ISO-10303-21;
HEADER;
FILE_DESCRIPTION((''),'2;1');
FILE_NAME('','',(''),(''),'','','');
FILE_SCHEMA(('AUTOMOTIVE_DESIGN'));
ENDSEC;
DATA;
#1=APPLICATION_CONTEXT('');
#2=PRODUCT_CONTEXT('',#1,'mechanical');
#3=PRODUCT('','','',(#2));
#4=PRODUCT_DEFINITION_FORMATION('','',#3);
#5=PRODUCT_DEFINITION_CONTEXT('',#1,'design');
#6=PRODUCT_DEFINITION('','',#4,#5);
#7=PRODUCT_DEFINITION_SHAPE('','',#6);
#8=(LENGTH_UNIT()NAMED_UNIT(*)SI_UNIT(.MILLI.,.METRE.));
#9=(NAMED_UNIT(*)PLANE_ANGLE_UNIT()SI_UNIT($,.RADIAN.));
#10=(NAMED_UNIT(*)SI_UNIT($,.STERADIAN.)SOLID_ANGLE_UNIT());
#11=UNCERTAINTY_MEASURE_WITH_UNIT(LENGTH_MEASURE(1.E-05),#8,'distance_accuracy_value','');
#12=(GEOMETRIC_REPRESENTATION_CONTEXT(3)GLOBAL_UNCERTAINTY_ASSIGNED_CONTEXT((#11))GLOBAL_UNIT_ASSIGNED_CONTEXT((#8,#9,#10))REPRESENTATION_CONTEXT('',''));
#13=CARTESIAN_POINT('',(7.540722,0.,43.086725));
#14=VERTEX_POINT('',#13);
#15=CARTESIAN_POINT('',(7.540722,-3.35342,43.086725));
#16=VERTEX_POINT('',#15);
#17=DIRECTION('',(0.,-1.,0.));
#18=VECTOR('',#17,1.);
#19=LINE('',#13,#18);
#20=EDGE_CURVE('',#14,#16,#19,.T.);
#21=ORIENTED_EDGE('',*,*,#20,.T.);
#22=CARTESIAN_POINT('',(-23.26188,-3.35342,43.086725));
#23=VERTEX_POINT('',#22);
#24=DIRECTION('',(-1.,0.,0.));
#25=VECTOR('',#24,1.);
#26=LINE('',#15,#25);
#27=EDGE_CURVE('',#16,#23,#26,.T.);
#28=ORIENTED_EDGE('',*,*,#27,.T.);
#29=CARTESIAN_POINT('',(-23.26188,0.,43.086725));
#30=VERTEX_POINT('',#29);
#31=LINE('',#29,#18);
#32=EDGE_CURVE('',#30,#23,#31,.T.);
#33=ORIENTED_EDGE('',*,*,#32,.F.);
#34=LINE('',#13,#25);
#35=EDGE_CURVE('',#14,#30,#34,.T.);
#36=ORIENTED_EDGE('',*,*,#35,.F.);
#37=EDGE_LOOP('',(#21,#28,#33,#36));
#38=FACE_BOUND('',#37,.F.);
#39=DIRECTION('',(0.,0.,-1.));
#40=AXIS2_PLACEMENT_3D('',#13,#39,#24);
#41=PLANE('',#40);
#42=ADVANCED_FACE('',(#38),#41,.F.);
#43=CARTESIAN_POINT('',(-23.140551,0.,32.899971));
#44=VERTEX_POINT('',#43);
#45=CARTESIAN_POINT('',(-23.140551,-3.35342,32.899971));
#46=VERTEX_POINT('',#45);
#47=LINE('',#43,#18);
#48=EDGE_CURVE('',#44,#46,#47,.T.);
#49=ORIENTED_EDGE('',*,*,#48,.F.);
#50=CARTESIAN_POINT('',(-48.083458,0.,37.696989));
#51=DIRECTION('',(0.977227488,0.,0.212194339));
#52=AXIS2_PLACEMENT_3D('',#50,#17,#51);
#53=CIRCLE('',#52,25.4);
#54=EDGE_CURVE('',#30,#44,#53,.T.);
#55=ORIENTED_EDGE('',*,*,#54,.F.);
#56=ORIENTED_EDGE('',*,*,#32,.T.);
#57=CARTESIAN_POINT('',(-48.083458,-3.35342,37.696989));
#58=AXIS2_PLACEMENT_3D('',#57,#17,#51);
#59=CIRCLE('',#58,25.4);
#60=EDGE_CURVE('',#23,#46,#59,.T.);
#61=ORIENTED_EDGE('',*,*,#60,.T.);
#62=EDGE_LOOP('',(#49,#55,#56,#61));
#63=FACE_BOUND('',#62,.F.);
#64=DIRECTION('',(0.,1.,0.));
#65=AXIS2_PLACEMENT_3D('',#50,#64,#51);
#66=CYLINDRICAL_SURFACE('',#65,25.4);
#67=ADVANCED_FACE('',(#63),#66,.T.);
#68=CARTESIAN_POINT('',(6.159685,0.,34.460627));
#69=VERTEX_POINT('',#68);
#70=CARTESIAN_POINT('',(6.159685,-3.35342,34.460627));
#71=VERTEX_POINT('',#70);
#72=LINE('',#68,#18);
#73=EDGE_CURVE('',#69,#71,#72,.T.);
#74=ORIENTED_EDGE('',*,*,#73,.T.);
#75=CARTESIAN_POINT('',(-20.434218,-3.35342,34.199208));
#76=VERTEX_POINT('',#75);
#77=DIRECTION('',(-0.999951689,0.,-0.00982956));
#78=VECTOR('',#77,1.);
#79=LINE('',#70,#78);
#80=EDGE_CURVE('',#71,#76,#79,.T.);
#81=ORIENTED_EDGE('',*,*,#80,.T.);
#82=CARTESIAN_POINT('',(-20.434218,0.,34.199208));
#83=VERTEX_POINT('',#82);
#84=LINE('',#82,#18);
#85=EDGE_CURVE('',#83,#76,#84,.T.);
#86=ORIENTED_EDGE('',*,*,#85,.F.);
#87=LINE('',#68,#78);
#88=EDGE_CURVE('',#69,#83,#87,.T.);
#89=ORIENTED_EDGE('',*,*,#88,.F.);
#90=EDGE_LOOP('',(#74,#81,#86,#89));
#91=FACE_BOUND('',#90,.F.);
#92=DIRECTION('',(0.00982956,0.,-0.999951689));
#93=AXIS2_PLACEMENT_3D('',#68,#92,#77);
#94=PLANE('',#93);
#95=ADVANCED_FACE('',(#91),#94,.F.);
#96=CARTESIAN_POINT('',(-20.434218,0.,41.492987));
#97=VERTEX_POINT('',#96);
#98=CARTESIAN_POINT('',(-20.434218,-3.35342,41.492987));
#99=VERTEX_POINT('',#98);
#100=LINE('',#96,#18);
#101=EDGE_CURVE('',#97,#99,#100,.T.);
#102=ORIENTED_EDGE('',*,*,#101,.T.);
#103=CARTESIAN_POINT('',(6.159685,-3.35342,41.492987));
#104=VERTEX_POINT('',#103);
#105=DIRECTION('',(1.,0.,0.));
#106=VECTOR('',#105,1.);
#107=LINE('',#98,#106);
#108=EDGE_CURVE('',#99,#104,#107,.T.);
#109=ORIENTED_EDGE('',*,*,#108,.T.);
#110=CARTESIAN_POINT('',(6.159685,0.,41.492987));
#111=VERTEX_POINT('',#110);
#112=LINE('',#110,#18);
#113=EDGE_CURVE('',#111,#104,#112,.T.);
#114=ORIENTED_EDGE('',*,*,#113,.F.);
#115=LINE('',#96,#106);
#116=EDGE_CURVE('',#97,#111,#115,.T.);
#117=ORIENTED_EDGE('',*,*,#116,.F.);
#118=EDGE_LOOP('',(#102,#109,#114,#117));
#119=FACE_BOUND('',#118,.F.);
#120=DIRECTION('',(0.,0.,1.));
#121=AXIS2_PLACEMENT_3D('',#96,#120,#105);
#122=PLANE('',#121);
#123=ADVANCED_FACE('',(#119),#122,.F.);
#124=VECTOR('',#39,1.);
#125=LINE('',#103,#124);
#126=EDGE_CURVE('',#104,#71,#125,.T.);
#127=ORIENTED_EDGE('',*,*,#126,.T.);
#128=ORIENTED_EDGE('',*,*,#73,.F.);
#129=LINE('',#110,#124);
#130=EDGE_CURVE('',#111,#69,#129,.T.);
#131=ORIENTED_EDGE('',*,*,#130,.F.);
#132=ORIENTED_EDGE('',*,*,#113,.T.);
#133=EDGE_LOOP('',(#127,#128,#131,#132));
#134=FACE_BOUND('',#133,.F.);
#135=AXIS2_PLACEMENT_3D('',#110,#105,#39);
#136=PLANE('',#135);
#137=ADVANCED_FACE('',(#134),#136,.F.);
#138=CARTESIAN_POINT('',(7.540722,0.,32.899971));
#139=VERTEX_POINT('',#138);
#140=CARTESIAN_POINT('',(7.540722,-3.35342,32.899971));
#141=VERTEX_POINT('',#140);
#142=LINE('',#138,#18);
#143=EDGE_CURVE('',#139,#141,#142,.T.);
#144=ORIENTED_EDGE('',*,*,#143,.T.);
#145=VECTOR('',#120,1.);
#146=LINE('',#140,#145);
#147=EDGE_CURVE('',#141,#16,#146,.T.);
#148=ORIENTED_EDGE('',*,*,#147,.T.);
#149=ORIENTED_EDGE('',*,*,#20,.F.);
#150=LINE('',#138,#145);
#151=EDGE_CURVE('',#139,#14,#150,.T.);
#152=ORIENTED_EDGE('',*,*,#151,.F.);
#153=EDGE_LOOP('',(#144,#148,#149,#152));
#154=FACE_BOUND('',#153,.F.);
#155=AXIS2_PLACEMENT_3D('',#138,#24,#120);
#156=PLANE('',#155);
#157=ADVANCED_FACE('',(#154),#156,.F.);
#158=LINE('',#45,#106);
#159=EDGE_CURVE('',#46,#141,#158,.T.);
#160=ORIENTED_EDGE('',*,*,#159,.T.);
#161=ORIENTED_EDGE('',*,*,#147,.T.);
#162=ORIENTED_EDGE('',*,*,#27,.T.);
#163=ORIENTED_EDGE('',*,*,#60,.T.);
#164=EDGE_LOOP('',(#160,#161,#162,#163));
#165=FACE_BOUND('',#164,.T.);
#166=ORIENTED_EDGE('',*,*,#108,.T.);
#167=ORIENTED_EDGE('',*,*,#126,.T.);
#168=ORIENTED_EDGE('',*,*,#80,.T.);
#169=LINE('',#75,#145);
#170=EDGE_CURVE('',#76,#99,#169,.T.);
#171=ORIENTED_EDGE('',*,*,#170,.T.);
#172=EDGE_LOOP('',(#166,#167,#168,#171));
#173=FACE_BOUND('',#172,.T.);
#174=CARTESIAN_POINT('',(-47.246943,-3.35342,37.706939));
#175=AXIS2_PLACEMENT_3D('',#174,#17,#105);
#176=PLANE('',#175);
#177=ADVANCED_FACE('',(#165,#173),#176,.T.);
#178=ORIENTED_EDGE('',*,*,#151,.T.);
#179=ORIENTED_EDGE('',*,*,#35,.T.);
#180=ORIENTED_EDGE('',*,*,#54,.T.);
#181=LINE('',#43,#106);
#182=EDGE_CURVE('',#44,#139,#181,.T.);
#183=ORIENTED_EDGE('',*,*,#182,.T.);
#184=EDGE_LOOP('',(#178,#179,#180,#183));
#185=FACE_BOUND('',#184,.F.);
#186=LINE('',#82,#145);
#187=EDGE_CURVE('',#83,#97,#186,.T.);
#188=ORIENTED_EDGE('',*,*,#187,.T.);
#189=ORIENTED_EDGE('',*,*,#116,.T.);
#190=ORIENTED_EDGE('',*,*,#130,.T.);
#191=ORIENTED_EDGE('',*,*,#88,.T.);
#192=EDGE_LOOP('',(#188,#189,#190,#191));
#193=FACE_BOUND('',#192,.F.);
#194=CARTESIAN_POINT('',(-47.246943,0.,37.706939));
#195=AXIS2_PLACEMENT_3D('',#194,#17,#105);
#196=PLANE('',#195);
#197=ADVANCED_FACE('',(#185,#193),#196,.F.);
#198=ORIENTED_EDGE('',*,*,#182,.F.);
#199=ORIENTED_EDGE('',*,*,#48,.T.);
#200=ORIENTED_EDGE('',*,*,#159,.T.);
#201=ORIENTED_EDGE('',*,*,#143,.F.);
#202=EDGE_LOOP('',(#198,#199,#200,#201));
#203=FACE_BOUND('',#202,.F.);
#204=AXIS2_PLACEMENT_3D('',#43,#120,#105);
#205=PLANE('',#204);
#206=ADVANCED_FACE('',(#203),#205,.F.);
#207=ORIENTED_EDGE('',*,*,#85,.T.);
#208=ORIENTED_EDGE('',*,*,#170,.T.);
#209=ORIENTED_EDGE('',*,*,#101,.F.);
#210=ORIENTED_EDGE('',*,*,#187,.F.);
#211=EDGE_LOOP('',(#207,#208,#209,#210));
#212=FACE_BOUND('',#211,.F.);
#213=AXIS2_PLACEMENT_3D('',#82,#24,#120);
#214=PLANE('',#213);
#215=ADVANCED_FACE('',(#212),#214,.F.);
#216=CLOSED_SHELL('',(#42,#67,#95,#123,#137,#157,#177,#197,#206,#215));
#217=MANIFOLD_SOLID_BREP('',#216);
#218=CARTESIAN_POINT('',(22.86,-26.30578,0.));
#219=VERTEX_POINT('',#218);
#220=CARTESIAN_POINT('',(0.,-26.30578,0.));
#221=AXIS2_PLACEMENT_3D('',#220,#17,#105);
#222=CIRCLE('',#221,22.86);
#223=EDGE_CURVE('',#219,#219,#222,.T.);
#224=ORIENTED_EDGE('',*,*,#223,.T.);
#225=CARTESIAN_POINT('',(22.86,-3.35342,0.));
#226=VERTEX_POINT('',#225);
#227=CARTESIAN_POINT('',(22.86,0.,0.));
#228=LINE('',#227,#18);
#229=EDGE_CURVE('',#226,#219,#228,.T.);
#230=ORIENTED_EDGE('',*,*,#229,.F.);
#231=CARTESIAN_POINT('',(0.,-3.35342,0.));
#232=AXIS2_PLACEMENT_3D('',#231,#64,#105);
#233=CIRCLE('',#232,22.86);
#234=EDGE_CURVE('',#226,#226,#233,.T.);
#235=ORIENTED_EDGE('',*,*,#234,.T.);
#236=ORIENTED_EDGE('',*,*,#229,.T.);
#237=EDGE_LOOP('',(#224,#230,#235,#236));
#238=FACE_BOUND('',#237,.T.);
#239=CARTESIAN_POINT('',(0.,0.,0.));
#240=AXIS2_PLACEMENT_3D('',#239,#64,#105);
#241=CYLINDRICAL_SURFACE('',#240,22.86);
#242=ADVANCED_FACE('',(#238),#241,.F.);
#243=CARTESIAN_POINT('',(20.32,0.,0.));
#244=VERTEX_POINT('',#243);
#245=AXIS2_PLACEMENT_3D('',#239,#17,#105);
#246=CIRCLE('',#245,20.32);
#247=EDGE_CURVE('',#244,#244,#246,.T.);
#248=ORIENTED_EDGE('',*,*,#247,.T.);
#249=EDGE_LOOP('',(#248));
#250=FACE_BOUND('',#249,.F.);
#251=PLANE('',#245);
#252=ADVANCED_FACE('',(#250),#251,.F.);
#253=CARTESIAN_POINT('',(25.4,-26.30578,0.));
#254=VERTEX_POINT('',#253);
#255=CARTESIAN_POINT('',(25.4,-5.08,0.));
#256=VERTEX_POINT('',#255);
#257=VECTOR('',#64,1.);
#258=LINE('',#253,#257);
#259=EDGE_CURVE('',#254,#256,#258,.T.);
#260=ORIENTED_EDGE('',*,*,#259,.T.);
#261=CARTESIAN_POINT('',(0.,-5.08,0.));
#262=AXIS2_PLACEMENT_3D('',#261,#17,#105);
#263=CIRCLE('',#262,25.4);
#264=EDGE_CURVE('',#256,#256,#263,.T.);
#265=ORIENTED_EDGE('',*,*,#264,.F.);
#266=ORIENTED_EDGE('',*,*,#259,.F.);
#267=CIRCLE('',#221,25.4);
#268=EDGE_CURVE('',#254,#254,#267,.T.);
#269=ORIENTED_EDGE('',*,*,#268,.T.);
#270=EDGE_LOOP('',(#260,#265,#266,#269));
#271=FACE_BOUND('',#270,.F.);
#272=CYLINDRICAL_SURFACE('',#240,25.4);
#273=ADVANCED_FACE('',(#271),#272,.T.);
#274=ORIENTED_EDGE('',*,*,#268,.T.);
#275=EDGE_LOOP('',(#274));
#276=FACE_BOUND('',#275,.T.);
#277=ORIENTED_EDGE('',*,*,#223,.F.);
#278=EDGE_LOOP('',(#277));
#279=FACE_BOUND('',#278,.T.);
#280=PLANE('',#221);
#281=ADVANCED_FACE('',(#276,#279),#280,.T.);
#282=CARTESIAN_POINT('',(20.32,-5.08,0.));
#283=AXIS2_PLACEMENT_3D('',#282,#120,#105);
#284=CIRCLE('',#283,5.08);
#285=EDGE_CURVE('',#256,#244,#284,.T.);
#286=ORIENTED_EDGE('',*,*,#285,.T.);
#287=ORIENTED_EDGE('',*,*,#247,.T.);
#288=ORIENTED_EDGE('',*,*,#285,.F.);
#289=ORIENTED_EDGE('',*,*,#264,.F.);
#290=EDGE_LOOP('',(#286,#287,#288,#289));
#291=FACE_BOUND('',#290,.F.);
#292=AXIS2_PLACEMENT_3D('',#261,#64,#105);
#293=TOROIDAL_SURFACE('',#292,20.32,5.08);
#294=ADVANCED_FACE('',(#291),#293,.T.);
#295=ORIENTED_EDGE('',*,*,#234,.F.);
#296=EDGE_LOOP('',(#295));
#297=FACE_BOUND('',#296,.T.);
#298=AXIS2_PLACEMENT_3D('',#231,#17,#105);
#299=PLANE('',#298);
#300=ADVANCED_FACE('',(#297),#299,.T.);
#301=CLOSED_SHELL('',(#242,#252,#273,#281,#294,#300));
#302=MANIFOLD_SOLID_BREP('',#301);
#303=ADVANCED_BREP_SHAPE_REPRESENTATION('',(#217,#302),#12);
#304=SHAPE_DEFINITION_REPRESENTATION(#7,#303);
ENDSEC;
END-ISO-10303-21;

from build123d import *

# Parameters (mm, degrees)
F0_R     = 25.4
F1_DEPTH = 26.30578
F2_T     = -2.54
F3_DEPTH = 3.35342
F4_R     = 5.08


with BuildPart() as f1:
    # F0 (on Front) → F1 (new body)
    with BuildSketch(Plane.XZ):
        Circle(F0_R)
    extrude(amount=F1_DEPTH)

    # F2
    f2_openings = [f1.faces().sort_by_distance(p)[0] for p in [
        (0, -26.30578, 0),
    ]]
    offset(amount=F2_T, openings=f2_openings)

    # F0 (on Front) → F3 (join)
    with BuildSketch(Plane.XZ):
        Circle(F0_R)
        with BuildLine():
            ThreePointArc((-23.140551, 32.899971), (-22.797989, 35.287616), (-22.683458, 37.696989))
            ThreePointArc((-22.683458, 37.696989), (-22.828477, 40.407331), (-23.26188, 43.086725))
            ThreePointArc((-23.26188, 43.086725), (-73.481656, 37.394484), (-23.140551, 32.899971))
        make_face()
        with BuildLine():
            ThreePointArc((-23.26188, 43.086725), (-22.828477, 40.407331), (-22.683458, 37.696989))
            ThreePointArc((-22.683458, 37.696989), (-22.797989, 35.287616), (-23.140551, 32.899971))
            Line((-23.140551, 32.899971), (7.540722, 32.899971))
            Line((7.540722, 32.899971), (7.540722, 43.086725))
            Line((7.540722, 43.086725), (-23.26188, 43.086725))
        make_face()
        Polygon((6.159685, 34.460627), (-20.434218, 34.199208), (-20.434218, 41.492987), (6.159685, 41.492987), align=None, mode=Mode.SUBTRACT)
    extrude(amount=F3_DEPTH)

    # F4
    f4_edges = [f1.edges().sort_by_distance(p)[0] for p in [
        (-25.4, 0, 0),
    ]]
    fillet(f4_edges, radius=F4_R)


solid = f1.part
